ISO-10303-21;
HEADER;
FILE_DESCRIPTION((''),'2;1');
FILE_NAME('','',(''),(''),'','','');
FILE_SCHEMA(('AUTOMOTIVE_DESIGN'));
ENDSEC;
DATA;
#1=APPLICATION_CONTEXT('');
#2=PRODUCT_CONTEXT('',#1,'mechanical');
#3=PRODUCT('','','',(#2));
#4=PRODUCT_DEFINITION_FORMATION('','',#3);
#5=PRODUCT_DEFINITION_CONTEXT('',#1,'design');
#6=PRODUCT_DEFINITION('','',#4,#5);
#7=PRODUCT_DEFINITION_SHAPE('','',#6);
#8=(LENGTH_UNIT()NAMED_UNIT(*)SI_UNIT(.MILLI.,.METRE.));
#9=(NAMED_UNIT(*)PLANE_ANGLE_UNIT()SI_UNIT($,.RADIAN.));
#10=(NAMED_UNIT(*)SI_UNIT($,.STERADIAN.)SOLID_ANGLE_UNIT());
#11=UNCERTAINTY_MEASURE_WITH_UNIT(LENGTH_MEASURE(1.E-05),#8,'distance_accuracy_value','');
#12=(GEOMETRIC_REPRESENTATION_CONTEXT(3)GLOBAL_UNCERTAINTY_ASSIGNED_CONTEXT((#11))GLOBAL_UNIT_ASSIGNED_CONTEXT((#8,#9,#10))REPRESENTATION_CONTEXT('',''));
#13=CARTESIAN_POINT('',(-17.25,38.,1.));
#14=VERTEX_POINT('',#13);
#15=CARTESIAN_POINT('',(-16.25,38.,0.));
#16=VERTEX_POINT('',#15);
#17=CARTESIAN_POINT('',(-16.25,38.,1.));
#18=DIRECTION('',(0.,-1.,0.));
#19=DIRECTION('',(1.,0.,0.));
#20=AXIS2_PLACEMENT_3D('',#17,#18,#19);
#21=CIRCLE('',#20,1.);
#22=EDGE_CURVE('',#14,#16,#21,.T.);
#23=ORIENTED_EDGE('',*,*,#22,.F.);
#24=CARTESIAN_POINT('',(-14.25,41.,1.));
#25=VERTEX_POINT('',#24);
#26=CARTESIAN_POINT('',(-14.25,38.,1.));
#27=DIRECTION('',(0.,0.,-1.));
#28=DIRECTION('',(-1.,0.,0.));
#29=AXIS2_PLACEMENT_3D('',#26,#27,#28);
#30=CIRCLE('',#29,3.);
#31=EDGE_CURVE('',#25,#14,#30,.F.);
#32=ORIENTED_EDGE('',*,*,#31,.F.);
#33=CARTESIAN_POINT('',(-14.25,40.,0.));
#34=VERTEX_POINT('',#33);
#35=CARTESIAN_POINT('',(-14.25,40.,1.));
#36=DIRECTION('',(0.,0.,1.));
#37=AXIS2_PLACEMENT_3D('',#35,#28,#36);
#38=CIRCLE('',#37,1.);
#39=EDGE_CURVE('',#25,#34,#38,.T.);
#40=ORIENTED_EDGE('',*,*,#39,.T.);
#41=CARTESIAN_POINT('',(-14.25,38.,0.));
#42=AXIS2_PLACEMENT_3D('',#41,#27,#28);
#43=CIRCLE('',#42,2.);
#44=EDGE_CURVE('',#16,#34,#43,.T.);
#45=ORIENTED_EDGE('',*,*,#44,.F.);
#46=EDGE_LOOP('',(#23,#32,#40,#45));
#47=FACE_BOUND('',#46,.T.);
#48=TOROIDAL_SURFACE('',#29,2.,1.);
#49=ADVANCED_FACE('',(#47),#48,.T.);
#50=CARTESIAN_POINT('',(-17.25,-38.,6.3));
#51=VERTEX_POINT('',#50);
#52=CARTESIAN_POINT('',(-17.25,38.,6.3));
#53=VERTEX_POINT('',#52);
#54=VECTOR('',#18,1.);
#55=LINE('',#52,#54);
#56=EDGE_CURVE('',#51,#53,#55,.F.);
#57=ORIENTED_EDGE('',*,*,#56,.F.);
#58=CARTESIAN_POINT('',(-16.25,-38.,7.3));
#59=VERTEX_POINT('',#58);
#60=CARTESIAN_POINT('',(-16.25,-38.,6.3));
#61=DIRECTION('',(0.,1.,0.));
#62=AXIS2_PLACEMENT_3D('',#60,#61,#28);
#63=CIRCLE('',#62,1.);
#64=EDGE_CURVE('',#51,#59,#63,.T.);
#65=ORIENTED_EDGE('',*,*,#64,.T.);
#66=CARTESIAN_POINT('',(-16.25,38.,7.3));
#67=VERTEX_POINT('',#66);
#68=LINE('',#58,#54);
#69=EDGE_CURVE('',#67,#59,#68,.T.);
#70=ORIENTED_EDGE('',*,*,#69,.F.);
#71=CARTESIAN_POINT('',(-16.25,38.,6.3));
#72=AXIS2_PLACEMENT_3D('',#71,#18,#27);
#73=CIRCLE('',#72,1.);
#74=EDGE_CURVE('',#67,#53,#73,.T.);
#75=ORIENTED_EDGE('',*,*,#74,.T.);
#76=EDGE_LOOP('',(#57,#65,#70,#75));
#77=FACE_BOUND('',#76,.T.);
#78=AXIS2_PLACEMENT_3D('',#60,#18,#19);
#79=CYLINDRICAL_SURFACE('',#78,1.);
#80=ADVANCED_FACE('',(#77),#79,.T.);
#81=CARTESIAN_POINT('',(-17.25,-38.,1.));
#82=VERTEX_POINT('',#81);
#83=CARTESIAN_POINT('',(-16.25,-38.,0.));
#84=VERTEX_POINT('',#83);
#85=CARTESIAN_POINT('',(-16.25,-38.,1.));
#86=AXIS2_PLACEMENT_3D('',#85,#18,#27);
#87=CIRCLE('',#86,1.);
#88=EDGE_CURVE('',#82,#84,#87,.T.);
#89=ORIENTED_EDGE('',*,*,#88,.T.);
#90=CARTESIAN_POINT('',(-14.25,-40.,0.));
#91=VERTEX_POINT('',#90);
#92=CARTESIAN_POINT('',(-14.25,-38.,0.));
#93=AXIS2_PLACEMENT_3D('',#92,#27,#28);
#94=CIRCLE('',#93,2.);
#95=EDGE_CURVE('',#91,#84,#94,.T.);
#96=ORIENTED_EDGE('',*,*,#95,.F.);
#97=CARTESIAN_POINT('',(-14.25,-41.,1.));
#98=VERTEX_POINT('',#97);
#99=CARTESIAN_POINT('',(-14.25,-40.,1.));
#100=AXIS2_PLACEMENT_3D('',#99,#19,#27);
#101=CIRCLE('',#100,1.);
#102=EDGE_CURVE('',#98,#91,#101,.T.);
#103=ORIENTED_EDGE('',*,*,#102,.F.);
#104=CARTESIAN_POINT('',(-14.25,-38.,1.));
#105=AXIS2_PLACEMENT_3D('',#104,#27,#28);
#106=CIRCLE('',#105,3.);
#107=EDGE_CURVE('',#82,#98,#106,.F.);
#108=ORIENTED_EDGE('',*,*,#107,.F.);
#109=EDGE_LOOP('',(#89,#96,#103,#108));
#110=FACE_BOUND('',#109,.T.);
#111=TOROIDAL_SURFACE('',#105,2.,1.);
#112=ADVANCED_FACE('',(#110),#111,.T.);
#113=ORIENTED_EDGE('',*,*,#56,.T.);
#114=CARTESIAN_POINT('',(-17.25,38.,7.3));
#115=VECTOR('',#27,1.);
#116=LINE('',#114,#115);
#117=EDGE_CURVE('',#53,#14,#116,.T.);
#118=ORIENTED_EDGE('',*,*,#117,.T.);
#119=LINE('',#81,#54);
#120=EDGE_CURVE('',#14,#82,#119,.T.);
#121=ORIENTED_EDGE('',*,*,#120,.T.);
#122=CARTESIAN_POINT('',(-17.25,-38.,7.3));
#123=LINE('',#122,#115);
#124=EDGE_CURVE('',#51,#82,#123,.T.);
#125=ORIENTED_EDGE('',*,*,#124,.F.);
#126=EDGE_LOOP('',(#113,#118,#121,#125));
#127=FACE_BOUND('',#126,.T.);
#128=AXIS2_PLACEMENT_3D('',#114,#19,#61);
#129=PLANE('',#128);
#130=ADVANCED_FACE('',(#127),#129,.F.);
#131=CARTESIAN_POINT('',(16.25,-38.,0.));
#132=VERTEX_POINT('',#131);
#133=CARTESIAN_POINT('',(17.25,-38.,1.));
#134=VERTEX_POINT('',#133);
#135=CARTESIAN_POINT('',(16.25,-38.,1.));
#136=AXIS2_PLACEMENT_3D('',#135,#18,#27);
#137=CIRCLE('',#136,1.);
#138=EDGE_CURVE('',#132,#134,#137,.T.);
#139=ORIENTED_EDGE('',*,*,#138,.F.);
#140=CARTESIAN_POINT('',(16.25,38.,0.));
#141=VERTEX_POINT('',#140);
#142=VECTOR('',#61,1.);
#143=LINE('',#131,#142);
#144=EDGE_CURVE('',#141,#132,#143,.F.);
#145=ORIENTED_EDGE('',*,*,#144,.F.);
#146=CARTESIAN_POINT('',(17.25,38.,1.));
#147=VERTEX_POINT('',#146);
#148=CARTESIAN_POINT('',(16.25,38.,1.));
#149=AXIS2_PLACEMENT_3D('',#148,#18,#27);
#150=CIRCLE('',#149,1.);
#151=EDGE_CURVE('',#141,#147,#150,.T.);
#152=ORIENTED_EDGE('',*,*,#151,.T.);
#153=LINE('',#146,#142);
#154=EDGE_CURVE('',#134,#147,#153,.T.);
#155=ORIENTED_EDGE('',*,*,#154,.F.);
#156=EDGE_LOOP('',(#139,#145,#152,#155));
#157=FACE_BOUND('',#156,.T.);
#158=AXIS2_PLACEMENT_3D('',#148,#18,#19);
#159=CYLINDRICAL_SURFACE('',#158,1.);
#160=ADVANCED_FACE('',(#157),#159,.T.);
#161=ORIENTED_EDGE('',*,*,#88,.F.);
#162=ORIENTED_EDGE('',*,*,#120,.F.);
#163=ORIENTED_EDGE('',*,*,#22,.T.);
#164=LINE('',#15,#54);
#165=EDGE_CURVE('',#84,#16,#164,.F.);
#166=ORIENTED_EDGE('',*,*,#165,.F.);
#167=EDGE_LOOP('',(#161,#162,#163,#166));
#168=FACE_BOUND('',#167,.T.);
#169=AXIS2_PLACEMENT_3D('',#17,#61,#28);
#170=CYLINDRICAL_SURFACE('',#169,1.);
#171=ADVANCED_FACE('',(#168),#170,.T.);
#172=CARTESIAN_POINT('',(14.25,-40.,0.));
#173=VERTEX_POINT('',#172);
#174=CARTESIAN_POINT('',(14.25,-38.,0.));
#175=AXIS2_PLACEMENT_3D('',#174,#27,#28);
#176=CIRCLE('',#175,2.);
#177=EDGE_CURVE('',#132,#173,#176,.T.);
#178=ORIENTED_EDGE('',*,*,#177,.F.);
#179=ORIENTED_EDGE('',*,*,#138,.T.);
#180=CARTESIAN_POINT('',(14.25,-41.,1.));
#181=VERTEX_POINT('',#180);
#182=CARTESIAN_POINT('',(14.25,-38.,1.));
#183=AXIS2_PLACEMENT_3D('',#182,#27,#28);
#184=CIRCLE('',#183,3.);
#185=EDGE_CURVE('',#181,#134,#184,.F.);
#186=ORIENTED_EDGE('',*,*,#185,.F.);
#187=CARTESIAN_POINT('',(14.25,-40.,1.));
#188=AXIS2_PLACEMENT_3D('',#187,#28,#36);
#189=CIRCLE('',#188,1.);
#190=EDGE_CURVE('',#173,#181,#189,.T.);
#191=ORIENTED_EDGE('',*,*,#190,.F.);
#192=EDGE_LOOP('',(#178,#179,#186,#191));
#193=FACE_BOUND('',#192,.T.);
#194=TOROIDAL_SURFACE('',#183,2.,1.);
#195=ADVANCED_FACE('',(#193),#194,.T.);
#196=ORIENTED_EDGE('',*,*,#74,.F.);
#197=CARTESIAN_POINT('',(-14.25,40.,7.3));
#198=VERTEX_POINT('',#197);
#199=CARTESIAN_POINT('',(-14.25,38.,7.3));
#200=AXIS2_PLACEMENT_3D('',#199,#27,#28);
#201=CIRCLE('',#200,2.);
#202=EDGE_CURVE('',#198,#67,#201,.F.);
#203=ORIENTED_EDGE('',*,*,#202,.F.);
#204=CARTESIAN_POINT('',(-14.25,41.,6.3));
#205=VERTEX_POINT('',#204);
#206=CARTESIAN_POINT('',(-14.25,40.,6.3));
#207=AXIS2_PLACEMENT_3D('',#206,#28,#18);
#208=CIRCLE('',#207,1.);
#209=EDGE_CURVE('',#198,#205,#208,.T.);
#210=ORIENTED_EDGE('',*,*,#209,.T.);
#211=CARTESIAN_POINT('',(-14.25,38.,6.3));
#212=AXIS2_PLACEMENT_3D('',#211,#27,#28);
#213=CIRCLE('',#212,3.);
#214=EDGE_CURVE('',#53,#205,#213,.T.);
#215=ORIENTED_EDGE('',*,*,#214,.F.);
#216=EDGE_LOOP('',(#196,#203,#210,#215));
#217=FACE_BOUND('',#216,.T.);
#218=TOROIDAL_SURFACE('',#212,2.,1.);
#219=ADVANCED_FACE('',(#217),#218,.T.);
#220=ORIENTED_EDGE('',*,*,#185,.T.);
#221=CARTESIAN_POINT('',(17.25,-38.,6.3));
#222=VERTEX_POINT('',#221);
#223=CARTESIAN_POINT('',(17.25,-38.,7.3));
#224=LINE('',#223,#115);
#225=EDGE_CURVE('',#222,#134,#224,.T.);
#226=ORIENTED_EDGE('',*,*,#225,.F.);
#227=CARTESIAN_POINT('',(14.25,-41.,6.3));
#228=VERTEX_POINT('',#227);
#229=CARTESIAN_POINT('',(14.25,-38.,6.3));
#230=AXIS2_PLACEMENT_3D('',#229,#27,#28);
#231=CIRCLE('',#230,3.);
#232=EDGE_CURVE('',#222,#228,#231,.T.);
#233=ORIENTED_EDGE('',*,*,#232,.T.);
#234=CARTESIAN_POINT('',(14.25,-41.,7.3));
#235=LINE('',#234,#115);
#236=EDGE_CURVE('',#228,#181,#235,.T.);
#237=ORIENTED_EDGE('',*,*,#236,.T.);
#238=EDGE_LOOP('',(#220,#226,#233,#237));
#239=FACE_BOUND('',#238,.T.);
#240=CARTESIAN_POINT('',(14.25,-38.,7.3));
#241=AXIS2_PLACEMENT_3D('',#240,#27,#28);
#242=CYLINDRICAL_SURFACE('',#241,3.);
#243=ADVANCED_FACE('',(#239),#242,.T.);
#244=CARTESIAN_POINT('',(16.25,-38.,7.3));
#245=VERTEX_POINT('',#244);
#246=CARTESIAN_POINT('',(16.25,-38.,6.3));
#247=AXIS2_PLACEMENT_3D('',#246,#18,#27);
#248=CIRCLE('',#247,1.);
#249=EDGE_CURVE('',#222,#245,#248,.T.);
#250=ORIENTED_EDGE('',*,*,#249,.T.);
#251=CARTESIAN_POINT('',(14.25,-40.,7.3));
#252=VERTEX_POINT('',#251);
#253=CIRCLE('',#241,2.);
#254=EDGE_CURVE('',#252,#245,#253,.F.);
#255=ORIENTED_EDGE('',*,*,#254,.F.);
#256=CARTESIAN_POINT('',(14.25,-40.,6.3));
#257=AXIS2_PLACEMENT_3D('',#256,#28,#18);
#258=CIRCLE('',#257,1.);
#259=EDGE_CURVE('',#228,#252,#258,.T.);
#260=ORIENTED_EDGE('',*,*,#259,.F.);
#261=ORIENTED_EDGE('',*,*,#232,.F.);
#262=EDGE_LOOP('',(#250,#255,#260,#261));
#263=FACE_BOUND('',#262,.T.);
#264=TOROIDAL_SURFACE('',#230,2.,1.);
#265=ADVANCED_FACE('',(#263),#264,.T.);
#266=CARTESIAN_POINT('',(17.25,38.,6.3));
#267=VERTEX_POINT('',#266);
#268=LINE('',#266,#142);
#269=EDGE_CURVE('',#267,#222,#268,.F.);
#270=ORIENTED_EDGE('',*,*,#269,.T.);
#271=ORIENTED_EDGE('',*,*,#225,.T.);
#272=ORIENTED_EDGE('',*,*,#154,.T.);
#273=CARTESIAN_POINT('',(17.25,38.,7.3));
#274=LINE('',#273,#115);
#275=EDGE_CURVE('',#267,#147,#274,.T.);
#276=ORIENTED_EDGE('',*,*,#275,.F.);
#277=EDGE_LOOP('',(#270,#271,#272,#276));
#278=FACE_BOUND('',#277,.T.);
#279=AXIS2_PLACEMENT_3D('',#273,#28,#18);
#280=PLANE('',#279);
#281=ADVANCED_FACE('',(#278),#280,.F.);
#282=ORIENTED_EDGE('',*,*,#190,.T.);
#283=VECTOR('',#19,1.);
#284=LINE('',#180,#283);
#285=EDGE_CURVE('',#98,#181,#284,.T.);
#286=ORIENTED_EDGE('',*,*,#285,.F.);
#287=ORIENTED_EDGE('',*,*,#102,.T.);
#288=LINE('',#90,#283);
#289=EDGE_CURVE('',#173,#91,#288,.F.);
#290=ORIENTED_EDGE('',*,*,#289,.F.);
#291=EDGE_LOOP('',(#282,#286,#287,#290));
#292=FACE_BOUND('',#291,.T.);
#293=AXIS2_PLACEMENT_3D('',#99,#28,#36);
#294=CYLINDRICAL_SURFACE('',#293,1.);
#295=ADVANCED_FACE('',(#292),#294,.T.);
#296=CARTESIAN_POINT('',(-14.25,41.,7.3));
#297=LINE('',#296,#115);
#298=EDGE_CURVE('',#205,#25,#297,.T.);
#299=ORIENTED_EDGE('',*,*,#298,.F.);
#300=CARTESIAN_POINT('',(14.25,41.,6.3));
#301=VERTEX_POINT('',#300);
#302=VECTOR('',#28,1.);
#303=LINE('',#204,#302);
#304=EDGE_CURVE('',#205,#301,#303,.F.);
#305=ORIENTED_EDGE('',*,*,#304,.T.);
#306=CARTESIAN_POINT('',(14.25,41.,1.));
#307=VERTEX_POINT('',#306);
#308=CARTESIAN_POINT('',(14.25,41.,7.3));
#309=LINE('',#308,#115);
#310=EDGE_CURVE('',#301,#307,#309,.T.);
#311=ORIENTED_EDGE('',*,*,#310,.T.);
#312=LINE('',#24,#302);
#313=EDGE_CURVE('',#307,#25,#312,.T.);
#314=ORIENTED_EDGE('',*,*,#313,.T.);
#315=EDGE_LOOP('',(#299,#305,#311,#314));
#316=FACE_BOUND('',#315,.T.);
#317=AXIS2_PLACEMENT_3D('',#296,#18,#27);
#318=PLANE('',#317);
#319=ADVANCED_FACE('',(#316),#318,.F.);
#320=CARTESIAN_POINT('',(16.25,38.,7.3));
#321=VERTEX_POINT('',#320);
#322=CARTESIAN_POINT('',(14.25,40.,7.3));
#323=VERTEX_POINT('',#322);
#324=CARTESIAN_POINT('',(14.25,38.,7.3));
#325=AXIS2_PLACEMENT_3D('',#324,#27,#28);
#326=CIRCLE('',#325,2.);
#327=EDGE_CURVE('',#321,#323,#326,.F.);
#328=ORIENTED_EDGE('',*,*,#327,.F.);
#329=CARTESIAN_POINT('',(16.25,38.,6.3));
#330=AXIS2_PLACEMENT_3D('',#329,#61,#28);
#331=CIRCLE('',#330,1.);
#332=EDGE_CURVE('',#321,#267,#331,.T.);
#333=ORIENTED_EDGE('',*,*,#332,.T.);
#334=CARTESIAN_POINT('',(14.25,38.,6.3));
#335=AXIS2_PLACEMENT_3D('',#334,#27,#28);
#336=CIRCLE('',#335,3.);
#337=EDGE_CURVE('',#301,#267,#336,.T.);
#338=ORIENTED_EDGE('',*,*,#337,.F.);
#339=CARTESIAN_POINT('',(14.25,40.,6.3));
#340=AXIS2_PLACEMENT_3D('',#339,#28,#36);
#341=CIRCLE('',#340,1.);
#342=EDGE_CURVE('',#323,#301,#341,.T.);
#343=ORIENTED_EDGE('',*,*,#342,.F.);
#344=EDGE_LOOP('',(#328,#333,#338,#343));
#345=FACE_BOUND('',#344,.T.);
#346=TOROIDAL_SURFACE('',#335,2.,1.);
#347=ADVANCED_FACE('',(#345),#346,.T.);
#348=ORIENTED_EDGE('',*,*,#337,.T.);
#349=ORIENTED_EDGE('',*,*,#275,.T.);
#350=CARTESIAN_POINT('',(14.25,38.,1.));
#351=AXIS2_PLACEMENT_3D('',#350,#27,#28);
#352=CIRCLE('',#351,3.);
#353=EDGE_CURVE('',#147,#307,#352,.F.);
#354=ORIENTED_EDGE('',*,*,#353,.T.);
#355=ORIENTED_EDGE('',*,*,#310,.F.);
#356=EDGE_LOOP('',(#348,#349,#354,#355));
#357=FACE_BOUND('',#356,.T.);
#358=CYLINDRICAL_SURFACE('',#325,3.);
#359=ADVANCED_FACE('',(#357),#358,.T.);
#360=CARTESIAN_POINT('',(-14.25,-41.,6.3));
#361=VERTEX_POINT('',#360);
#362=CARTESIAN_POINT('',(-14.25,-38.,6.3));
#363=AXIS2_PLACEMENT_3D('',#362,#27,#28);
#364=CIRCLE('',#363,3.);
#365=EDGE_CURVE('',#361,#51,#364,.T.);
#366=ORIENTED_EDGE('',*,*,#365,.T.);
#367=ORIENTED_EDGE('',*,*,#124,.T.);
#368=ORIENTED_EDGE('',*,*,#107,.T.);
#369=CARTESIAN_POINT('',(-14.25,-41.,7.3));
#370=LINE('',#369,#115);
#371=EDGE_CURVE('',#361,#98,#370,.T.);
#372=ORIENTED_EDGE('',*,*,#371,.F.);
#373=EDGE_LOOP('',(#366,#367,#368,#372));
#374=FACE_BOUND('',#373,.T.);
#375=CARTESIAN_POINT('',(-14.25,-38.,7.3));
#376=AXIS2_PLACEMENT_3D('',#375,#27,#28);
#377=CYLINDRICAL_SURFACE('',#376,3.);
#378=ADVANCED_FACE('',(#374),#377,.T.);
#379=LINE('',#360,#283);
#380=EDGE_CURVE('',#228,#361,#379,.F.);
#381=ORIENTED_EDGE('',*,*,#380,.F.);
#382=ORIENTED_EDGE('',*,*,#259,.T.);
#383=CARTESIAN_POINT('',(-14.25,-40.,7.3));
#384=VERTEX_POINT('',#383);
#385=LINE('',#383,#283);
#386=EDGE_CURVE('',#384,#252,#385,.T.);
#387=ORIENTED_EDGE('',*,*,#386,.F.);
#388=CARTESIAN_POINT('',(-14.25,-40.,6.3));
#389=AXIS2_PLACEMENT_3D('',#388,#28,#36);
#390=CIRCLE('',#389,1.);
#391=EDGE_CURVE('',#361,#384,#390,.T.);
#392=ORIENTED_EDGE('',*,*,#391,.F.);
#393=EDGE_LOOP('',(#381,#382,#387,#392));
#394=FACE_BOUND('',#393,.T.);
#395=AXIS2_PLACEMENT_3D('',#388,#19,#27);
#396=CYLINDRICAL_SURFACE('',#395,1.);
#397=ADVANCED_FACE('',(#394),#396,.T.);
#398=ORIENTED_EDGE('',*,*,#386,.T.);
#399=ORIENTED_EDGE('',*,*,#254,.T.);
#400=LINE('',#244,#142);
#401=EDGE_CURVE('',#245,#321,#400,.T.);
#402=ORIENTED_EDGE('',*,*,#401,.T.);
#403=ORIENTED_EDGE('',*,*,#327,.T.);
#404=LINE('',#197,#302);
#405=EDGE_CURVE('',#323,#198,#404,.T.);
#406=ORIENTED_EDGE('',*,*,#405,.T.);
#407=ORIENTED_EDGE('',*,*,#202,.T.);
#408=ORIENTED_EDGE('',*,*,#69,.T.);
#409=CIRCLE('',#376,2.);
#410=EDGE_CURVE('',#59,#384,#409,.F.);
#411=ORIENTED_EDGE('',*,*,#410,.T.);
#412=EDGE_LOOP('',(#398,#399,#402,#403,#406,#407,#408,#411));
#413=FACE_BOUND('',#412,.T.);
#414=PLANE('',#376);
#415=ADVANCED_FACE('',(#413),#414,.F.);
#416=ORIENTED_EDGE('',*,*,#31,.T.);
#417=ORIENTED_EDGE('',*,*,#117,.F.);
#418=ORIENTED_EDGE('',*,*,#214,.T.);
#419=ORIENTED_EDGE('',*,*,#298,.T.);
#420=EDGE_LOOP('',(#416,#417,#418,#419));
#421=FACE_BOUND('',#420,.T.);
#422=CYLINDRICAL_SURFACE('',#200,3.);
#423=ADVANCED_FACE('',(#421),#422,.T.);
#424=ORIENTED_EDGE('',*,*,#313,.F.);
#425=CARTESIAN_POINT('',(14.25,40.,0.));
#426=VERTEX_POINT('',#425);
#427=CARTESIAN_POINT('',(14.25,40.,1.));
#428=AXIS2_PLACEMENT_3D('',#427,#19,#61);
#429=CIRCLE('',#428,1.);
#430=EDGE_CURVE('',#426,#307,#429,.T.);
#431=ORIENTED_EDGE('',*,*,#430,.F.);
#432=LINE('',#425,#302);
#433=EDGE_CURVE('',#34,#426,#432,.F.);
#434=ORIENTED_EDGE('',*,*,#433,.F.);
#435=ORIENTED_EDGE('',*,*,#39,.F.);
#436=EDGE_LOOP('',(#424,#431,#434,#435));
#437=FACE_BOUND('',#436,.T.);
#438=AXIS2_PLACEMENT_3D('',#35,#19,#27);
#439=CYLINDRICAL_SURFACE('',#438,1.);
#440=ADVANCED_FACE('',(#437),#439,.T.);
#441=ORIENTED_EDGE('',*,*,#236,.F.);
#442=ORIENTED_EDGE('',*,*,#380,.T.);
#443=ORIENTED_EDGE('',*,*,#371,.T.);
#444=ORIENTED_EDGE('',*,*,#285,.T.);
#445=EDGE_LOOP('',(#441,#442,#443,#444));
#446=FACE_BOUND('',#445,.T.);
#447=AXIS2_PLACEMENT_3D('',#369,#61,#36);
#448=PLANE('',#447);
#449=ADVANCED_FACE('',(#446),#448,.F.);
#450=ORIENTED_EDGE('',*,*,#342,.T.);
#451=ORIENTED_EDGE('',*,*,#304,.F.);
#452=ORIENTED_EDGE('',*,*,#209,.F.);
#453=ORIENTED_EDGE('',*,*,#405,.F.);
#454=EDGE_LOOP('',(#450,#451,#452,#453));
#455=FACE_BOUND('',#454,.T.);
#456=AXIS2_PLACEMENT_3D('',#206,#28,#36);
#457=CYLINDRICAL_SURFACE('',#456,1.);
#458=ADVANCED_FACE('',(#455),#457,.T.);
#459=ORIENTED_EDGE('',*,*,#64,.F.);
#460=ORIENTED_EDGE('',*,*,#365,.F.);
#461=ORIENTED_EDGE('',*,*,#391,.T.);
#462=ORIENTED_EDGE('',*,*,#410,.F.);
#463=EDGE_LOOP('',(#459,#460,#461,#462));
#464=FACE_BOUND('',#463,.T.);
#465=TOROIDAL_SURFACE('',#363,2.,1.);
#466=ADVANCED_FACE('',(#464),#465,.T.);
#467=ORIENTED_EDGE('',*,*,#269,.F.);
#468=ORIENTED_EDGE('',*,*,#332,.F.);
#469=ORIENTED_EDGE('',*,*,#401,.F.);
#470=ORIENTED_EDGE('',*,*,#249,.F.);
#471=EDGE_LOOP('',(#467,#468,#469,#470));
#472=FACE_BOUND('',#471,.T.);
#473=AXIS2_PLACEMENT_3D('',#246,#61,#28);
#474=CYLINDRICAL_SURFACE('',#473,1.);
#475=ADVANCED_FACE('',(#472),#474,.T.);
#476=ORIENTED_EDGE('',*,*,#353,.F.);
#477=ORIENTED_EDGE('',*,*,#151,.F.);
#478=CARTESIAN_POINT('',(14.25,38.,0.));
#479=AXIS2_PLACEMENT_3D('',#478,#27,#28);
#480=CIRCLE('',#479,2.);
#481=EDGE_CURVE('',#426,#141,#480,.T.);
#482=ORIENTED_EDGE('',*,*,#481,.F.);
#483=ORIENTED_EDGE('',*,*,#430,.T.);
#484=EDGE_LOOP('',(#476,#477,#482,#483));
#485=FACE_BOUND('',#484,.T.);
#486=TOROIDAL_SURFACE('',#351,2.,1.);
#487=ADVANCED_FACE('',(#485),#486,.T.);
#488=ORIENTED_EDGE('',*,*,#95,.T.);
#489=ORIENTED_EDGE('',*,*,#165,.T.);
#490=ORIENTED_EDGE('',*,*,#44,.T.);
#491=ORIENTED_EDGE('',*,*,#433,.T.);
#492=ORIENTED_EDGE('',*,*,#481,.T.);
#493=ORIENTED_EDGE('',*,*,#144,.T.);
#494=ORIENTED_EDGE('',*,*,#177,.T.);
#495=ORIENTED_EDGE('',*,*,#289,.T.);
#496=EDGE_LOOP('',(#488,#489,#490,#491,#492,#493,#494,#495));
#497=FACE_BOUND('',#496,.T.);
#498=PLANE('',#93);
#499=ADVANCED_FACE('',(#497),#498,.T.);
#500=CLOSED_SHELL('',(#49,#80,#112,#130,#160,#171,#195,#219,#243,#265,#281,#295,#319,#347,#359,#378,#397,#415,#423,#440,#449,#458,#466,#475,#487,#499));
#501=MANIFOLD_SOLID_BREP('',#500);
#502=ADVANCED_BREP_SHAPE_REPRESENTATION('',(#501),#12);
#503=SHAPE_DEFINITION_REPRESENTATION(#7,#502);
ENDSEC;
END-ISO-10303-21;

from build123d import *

# Parameters (mm, degrees)
EXTRUDE_1_DEPTH = 7.3
FILLET_1_R      = 1


with BuildPart() as part:
    # 草图1 → 凸台-拉伸1 (new body)
    with BuildSketch(Plane.XY):
        with BuildLine():
            Line((-14.25, 41), (14.25, 41))
            ThreePointArc((14.25, 41), (16.371320344, 40.121320344), (17.25, 38))
            Line((17.25, 38), (17.25, -38))
            ThreePointArc((17.25, -38), (16.371320344, -40.121320344), (14.25, -41))
            Line((14.25, -41), (-14.25, -41))
            ThreePointArc((-14.25, -41), (-16.371320344, -40.121320344), (-17.25, -38))
            Line((-17.25, -38), (-17.25, 38))
            ThreePointArc((-17.25, 38), (-16.371320344, 40.121320344), (-14.25, 41))
        make_face()
    extrude(amount=EXTRUDE_1_DEPTH)

    # 圆角1
    fillet_1_edges = [part.edges().sort_by_distance(p)[0] for p in [
        (17.25, 0, 0),
        (16.371320344, -40.121320344, 0),
        (0, -41, 0),
        (-16.371320344, -40.121320344, 0),
        (16.371320344, -40.121320344, 7.3),
        (17.25, 0, 7.3),
        (16.371320344, 40.121320344, 7.3),
        (0, 41, 7.3),
        (-16.371320344, 40.121320344, 7.3),
        (-17.25, 0, 7.3),
        (-16.371320344, -40.121320344, 7.3),
        (-17.25, 0, 0),
        (0, -41, 7.3),
        (-16.371320344, 40.121320344, 0),
        (0, 41, 0),
        (16.371320344, 40.121320344, 0),
    ]]
    fillet(fillet_1_edges, radius=FILLET_1_R)


solid = part.part
